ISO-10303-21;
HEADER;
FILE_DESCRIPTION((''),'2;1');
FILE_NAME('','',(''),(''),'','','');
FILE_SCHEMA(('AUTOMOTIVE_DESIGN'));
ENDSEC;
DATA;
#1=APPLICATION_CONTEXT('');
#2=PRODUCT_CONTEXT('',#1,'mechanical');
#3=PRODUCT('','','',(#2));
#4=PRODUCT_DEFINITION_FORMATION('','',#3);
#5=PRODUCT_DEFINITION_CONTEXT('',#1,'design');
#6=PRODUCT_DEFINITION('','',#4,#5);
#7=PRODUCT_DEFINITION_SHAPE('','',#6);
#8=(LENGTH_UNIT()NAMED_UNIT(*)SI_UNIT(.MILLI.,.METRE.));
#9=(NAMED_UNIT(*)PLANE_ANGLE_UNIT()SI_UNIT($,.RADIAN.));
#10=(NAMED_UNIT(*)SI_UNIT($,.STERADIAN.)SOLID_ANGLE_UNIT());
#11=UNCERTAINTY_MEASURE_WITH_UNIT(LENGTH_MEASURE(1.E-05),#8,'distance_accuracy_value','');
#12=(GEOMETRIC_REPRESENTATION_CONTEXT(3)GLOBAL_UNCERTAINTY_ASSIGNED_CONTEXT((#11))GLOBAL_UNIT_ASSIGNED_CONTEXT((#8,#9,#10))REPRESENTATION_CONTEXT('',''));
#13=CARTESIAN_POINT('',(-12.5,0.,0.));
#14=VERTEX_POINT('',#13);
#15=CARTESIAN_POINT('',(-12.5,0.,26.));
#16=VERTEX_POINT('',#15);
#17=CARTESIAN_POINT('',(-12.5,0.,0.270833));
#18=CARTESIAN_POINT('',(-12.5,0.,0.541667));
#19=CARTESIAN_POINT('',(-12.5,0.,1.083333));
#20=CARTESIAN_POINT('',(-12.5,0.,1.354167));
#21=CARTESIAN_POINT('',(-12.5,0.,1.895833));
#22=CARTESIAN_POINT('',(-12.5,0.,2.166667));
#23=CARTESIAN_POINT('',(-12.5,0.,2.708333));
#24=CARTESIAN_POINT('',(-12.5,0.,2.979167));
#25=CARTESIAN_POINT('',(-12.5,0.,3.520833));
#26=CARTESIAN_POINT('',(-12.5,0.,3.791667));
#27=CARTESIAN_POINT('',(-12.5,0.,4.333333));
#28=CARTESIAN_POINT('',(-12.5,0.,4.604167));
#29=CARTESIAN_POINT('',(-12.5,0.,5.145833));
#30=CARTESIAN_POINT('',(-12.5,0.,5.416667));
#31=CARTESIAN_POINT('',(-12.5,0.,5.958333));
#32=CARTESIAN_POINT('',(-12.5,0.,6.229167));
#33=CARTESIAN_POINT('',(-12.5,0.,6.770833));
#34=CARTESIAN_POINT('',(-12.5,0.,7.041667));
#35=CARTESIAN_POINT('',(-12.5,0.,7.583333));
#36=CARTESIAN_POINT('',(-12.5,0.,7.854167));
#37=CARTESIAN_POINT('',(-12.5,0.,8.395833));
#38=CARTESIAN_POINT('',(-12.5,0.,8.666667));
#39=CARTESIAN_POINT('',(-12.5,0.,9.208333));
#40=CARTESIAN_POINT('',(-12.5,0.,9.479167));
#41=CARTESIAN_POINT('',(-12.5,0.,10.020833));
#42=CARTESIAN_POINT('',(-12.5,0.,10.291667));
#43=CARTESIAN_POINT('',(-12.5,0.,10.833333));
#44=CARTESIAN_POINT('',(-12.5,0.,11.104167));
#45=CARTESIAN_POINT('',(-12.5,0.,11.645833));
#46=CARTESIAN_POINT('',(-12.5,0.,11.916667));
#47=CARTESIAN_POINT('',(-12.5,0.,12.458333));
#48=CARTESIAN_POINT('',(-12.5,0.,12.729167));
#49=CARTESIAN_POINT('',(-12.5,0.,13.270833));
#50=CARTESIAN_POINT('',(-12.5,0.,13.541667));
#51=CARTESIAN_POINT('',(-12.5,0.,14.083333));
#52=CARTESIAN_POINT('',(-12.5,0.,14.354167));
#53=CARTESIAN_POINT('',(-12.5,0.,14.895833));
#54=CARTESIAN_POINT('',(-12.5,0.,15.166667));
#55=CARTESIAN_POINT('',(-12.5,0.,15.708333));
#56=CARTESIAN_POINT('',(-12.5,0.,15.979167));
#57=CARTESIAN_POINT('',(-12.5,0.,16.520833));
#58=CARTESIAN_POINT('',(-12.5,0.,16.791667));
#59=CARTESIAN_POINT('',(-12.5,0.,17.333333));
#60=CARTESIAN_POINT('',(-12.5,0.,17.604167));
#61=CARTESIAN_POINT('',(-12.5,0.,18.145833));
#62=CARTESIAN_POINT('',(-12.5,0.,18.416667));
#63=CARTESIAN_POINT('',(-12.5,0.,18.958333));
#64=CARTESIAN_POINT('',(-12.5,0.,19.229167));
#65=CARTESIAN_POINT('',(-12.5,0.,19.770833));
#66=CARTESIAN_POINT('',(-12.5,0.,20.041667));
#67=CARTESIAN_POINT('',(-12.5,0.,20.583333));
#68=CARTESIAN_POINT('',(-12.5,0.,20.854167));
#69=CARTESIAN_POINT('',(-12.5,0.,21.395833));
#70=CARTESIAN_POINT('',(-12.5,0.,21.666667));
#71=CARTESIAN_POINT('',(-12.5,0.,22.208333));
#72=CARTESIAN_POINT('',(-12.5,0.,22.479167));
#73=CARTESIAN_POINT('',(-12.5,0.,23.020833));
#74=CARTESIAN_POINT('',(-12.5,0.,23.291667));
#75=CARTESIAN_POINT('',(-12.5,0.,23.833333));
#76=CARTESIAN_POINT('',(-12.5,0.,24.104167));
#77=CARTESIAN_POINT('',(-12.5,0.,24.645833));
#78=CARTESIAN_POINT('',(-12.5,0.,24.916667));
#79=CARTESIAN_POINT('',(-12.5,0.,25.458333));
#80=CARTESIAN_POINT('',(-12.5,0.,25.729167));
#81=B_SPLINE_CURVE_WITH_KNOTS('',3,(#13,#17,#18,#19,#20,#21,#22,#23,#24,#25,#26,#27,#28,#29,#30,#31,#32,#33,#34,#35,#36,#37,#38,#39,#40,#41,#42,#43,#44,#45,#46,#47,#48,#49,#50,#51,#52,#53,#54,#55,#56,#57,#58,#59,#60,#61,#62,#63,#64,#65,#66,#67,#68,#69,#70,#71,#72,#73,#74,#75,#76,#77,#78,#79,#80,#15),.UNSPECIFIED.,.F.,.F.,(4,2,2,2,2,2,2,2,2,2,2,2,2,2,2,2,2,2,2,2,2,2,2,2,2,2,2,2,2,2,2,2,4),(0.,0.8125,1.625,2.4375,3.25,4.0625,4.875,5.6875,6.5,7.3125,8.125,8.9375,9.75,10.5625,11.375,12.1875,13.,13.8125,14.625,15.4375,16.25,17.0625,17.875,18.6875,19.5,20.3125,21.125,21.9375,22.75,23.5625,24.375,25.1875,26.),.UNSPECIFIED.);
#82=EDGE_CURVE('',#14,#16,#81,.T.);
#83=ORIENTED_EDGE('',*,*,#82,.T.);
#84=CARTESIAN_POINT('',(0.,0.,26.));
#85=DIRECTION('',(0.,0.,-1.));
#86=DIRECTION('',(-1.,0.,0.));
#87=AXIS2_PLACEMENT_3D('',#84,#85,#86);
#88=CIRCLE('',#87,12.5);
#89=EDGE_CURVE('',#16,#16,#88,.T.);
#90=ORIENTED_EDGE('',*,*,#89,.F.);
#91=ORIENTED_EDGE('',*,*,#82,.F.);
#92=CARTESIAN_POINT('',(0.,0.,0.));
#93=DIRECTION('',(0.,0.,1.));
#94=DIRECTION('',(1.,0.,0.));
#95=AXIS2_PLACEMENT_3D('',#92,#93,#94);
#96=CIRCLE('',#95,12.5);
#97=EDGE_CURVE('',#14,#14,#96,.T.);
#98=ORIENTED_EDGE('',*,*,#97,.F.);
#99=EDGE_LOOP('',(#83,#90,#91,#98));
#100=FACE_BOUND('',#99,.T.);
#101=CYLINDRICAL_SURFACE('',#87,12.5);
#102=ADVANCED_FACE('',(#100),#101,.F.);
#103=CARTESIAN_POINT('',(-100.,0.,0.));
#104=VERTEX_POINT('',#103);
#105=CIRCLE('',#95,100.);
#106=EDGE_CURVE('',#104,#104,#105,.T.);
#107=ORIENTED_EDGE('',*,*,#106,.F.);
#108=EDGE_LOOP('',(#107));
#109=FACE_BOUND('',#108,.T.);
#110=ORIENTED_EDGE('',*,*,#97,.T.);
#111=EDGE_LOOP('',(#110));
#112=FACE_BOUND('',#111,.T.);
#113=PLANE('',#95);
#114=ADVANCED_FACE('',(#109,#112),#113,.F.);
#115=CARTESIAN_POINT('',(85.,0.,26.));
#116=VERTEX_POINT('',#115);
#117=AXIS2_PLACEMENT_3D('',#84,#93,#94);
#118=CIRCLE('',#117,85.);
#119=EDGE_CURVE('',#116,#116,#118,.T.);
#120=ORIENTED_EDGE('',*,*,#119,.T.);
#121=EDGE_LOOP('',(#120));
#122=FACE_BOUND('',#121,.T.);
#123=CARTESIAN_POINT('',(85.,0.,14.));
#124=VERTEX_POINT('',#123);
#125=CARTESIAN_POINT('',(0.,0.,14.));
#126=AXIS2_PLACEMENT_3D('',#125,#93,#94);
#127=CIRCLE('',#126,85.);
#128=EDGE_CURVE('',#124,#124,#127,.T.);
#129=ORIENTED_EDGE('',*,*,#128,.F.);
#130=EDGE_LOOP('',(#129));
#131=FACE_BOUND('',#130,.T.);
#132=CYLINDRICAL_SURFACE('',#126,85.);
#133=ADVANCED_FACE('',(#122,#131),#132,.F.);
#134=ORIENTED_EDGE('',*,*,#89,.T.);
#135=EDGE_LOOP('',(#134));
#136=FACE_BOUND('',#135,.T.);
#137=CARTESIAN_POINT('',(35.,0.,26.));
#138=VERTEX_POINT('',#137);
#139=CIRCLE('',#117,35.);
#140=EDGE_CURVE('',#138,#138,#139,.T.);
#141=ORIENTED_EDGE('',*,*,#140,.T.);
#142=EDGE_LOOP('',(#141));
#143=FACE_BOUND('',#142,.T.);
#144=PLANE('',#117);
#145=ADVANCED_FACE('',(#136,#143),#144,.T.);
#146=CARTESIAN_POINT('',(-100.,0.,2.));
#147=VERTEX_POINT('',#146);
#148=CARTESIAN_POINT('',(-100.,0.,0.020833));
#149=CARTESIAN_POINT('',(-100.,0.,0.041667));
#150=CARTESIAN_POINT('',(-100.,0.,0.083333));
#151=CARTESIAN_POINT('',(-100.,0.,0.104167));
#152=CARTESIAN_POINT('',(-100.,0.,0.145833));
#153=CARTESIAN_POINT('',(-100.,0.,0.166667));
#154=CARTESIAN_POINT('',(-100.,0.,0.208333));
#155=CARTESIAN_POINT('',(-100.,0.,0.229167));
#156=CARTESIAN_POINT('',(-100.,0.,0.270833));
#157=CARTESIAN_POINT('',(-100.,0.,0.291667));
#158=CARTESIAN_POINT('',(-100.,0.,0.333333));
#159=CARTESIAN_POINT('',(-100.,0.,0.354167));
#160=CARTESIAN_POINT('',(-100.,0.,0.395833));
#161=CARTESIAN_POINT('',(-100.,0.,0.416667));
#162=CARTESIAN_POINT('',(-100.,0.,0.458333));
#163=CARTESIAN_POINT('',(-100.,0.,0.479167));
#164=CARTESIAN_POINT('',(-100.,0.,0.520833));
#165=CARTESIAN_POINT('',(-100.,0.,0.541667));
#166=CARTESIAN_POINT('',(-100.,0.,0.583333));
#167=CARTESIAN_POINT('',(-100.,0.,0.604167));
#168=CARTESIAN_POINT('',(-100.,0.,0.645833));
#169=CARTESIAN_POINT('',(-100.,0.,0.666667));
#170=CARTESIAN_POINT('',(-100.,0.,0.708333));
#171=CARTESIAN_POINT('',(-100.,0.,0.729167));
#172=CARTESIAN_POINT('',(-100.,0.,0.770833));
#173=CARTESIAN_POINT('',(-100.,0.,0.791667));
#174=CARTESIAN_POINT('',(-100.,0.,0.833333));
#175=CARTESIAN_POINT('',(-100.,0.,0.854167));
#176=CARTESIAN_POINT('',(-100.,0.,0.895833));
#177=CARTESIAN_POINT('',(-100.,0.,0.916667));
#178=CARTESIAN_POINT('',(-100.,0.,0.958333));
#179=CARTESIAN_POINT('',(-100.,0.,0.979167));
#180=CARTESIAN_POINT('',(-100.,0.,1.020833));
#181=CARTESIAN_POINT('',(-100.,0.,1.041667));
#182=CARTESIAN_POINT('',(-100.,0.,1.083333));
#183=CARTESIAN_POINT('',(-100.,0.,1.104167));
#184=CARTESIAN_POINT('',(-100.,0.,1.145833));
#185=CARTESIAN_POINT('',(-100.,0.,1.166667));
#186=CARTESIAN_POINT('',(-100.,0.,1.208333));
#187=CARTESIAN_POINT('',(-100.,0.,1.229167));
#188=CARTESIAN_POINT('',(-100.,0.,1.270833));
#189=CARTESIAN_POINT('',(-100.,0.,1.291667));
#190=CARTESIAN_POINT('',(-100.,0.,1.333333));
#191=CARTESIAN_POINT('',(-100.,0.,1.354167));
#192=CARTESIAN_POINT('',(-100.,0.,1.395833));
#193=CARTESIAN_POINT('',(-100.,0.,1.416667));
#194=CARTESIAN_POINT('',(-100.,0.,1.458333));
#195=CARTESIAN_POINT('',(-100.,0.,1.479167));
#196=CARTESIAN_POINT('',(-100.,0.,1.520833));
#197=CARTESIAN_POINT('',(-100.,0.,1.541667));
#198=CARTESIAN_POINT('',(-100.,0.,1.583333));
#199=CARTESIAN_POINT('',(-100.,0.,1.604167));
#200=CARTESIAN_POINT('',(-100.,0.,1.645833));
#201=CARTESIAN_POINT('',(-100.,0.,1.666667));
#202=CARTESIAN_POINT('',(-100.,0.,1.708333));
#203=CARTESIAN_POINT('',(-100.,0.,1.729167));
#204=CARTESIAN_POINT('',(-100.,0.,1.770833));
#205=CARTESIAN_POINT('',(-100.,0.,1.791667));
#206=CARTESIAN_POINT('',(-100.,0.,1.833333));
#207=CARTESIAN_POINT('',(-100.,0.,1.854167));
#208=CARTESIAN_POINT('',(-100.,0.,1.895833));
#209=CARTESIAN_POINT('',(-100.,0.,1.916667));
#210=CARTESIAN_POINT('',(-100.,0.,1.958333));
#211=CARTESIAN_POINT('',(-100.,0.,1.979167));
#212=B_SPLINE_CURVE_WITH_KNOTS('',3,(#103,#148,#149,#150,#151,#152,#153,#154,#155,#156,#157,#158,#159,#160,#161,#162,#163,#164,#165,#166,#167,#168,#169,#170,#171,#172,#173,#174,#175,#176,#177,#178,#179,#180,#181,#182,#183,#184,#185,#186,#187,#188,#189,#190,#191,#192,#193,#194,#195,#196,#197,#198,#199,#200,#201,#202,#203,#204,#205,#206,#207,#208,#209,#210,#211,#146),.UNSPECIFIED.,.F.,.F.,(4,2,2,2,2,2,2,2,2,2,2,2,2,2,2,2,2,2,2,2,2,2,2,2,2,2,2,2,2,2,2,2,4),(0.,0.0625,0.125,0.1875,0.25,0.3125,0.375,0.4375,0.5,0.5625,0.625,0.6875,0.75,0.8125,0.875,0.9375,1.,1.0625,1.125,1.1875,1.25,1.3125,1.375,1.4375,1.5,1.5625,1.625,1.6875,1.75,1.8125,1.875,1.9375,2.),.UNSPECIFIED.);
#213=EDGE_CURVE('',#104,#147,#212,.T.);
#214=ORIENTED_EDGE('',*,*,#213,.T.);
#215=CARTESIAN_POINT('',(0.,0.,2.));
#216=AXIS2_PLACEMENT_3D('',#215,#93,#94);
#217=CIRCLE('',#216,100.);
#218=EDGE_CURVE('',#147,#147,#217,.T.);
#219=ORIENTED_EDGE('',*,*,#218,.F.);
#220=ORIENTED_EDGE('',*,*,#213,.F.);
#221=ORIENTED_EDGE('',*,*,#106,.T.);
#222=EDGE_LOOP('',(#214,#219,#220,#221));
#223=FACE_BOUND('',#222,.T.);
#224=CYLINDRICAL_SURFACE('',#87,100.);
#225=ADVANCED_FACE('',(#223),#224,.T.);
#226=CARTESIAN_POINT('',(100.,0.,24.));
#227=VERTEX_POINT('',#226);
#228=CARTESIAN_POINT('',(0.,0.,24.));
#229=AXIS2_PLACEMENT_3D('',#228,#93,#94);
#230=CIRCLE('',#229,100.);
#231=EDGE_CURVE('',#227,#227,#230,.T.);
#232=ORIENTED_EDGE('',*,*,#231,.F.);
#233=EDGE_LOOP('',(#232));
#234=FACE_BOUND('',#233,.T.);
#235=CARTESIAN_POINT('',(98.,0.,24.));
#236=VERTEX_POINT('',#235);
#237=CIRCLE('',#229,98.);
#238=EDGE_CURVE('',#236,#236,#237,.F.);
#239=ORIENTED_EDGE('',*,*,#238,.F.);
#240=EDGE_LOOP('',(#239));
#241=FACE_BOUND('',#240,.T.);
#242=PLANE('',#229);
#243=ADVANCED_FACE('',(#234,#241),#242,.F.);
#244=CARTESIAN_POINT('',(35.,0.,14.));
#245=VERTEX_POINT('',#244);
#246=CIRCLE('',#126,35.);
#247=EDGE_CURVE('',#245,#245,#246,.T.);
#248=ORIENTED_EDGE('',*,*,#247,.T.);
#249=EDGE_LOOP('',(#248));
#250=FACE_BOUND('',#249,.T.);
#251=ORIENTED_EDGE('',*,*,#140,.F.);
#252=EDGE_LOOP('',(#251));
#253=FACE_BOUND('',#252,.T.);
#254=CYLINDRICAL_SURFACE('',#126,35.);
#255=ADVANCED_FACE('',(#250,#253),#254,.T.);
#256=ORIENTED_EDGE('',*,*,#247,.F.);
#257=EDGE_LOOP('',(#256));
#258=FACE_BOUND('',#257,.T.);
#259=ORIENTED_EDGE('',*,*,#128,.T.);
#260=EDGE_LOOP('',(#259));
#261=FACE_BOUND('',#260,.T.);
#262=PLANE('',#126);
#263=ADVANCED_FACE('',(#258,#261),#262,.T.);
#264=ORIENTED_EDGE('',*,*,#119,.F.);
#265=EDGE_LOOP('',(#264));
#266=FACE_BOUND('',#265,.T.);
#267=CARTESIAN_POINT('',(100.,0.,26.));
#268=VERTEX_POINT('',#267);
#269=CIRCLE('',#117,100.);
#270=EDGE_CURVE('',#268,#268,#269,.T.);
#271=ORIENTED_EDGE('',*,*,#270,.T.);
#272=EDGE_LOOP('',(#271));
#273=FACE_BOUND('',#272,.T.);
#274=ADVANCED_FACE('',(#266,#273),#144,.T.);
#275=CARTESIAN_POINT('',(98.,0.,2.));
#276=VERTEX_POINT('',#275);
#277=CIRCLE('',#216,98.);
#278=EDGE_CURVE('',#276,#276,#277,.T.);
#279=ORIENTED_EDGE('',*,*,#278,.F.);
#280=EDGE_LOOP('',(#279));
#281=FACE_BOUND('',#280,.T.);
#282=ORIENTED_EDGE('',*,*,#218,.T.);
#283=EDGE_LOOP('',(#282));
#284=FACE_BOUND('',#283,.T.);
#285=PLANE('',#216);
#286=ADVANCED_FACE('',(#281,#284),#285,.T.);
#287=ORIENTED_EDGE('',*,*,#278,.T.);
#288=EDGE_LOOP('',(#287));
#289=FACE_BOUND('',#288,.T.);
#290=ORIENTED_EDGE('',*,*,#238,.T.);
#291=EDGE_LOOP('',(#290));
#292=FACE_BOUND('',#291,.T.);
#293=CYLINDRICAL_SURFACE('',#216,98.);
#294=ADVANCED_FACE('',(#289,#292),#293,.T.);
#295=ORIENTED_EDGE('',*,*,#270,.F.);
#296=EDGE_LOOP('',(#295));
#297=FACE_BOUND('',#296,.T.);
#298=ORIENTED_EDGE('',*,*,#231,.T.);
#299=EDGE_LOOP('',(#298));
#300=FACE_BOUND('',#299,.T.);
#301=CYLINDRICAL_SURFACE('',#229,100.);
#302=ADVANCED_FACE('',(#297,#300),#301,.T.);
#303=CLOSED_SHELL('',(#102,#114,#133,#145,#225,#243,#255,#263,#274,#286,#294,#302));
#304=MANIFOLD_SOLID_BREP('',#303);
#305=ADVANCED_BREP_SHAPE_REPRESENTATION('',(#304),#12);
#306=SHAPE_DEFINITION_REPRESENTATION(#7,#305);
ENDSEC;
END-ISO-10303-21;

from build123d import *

# Parameters (mm, degrees)
SKETCH1_R           = 100
SKETCH1_R_2         = 12.5
BOSS_EXTRUDE1_DEPTH = 26
SKETCH3_OUTSIDE_W   = 258.808
SKETCH3_OUTSIDE_H   = 258.808
SKETCH3_OUTSIDE_R   = 98
CUT_EXTRUDE3_DEPTH  = 24
BOSS_EXTRUDE3_START = -2
SKETCH6_R           = 100
BOSS_EXTRUDE3_DEPTH = 2
SKETCH7_R           = 12.5
CUT_EXTRUDE6_DEPTH  = 144.791515744
SKETCH8_R           = 85
SKETCH8_R_2         = 35
CUT_EXTRUDE7_DEPTH  = 12


with BuildPart() as part:
    # Sketch1 → Boss-Extrude1 (new body)
    with BuildSketch(Plane.XY):
        with Locations(Location((0, 0, 0), (0, 0, 180))):
            Circle(SKETCH1_R)
        with Locations(Location((0, 0, 0), (0, 0, 180))):
            Circle(SKETCH1_R_2, mode=Mode.SUBTRACT)
    extrude(amount=BOSS_EXTRUDE1_DEPTH)

    # Sketch3 outside → Cut-Extrude3 (cut)
    with BuildSketch(Plane.XY.offset(26)):
        Rectangle(SKETCH3_OUTSIDE_W, SKETCH3_OUTSIDE_H)
        Circle(SKETCH3_OUTSIDE_R, mode=Mode.SUBTRACT)
    extrude(amount=-CUT_EXTRUDE3_DEPTH, mode=Mode.SUBTRACT)

    # Sketch6 → Boss-Extrude3 (add)
    with BuildSketch(Plane.XY.offset(26).offset(BOSS_EXTRUDE3_START)):
        with Locations(Location((0, 0, 0), (0, 0, 180))):
            Circle(SKETCH6_R)
    extrude(amount=BOSS_EXTRUDE3_DEPTH)

    # Sketch7 → Cut-Extrude6 (cut, through all)
    with BuildSketch(Plane(origin=(0, 0, 0), x_dir=(-1, 0, 0), z_dir=(0, 0, -1))):
        Circle(SKETCH7_R)
    extrude(amount=-CUT_EXTRUDE6_DEPTH, mode=Mode.SUBTRACT)

    # Sketch8 → Cut-Extrude7 (cut)
    with BuildSketch(Plane.XY.offset(26)):
        Circle(SKETCH8_R)
        Circle(SKETCH8_R_2, mode=Mode.SUBTRACT)
    extrude(amount=-CUT_EXTRUDE7_DEPTH, mode=Mode.SUBTRACT)


solid = part.part
